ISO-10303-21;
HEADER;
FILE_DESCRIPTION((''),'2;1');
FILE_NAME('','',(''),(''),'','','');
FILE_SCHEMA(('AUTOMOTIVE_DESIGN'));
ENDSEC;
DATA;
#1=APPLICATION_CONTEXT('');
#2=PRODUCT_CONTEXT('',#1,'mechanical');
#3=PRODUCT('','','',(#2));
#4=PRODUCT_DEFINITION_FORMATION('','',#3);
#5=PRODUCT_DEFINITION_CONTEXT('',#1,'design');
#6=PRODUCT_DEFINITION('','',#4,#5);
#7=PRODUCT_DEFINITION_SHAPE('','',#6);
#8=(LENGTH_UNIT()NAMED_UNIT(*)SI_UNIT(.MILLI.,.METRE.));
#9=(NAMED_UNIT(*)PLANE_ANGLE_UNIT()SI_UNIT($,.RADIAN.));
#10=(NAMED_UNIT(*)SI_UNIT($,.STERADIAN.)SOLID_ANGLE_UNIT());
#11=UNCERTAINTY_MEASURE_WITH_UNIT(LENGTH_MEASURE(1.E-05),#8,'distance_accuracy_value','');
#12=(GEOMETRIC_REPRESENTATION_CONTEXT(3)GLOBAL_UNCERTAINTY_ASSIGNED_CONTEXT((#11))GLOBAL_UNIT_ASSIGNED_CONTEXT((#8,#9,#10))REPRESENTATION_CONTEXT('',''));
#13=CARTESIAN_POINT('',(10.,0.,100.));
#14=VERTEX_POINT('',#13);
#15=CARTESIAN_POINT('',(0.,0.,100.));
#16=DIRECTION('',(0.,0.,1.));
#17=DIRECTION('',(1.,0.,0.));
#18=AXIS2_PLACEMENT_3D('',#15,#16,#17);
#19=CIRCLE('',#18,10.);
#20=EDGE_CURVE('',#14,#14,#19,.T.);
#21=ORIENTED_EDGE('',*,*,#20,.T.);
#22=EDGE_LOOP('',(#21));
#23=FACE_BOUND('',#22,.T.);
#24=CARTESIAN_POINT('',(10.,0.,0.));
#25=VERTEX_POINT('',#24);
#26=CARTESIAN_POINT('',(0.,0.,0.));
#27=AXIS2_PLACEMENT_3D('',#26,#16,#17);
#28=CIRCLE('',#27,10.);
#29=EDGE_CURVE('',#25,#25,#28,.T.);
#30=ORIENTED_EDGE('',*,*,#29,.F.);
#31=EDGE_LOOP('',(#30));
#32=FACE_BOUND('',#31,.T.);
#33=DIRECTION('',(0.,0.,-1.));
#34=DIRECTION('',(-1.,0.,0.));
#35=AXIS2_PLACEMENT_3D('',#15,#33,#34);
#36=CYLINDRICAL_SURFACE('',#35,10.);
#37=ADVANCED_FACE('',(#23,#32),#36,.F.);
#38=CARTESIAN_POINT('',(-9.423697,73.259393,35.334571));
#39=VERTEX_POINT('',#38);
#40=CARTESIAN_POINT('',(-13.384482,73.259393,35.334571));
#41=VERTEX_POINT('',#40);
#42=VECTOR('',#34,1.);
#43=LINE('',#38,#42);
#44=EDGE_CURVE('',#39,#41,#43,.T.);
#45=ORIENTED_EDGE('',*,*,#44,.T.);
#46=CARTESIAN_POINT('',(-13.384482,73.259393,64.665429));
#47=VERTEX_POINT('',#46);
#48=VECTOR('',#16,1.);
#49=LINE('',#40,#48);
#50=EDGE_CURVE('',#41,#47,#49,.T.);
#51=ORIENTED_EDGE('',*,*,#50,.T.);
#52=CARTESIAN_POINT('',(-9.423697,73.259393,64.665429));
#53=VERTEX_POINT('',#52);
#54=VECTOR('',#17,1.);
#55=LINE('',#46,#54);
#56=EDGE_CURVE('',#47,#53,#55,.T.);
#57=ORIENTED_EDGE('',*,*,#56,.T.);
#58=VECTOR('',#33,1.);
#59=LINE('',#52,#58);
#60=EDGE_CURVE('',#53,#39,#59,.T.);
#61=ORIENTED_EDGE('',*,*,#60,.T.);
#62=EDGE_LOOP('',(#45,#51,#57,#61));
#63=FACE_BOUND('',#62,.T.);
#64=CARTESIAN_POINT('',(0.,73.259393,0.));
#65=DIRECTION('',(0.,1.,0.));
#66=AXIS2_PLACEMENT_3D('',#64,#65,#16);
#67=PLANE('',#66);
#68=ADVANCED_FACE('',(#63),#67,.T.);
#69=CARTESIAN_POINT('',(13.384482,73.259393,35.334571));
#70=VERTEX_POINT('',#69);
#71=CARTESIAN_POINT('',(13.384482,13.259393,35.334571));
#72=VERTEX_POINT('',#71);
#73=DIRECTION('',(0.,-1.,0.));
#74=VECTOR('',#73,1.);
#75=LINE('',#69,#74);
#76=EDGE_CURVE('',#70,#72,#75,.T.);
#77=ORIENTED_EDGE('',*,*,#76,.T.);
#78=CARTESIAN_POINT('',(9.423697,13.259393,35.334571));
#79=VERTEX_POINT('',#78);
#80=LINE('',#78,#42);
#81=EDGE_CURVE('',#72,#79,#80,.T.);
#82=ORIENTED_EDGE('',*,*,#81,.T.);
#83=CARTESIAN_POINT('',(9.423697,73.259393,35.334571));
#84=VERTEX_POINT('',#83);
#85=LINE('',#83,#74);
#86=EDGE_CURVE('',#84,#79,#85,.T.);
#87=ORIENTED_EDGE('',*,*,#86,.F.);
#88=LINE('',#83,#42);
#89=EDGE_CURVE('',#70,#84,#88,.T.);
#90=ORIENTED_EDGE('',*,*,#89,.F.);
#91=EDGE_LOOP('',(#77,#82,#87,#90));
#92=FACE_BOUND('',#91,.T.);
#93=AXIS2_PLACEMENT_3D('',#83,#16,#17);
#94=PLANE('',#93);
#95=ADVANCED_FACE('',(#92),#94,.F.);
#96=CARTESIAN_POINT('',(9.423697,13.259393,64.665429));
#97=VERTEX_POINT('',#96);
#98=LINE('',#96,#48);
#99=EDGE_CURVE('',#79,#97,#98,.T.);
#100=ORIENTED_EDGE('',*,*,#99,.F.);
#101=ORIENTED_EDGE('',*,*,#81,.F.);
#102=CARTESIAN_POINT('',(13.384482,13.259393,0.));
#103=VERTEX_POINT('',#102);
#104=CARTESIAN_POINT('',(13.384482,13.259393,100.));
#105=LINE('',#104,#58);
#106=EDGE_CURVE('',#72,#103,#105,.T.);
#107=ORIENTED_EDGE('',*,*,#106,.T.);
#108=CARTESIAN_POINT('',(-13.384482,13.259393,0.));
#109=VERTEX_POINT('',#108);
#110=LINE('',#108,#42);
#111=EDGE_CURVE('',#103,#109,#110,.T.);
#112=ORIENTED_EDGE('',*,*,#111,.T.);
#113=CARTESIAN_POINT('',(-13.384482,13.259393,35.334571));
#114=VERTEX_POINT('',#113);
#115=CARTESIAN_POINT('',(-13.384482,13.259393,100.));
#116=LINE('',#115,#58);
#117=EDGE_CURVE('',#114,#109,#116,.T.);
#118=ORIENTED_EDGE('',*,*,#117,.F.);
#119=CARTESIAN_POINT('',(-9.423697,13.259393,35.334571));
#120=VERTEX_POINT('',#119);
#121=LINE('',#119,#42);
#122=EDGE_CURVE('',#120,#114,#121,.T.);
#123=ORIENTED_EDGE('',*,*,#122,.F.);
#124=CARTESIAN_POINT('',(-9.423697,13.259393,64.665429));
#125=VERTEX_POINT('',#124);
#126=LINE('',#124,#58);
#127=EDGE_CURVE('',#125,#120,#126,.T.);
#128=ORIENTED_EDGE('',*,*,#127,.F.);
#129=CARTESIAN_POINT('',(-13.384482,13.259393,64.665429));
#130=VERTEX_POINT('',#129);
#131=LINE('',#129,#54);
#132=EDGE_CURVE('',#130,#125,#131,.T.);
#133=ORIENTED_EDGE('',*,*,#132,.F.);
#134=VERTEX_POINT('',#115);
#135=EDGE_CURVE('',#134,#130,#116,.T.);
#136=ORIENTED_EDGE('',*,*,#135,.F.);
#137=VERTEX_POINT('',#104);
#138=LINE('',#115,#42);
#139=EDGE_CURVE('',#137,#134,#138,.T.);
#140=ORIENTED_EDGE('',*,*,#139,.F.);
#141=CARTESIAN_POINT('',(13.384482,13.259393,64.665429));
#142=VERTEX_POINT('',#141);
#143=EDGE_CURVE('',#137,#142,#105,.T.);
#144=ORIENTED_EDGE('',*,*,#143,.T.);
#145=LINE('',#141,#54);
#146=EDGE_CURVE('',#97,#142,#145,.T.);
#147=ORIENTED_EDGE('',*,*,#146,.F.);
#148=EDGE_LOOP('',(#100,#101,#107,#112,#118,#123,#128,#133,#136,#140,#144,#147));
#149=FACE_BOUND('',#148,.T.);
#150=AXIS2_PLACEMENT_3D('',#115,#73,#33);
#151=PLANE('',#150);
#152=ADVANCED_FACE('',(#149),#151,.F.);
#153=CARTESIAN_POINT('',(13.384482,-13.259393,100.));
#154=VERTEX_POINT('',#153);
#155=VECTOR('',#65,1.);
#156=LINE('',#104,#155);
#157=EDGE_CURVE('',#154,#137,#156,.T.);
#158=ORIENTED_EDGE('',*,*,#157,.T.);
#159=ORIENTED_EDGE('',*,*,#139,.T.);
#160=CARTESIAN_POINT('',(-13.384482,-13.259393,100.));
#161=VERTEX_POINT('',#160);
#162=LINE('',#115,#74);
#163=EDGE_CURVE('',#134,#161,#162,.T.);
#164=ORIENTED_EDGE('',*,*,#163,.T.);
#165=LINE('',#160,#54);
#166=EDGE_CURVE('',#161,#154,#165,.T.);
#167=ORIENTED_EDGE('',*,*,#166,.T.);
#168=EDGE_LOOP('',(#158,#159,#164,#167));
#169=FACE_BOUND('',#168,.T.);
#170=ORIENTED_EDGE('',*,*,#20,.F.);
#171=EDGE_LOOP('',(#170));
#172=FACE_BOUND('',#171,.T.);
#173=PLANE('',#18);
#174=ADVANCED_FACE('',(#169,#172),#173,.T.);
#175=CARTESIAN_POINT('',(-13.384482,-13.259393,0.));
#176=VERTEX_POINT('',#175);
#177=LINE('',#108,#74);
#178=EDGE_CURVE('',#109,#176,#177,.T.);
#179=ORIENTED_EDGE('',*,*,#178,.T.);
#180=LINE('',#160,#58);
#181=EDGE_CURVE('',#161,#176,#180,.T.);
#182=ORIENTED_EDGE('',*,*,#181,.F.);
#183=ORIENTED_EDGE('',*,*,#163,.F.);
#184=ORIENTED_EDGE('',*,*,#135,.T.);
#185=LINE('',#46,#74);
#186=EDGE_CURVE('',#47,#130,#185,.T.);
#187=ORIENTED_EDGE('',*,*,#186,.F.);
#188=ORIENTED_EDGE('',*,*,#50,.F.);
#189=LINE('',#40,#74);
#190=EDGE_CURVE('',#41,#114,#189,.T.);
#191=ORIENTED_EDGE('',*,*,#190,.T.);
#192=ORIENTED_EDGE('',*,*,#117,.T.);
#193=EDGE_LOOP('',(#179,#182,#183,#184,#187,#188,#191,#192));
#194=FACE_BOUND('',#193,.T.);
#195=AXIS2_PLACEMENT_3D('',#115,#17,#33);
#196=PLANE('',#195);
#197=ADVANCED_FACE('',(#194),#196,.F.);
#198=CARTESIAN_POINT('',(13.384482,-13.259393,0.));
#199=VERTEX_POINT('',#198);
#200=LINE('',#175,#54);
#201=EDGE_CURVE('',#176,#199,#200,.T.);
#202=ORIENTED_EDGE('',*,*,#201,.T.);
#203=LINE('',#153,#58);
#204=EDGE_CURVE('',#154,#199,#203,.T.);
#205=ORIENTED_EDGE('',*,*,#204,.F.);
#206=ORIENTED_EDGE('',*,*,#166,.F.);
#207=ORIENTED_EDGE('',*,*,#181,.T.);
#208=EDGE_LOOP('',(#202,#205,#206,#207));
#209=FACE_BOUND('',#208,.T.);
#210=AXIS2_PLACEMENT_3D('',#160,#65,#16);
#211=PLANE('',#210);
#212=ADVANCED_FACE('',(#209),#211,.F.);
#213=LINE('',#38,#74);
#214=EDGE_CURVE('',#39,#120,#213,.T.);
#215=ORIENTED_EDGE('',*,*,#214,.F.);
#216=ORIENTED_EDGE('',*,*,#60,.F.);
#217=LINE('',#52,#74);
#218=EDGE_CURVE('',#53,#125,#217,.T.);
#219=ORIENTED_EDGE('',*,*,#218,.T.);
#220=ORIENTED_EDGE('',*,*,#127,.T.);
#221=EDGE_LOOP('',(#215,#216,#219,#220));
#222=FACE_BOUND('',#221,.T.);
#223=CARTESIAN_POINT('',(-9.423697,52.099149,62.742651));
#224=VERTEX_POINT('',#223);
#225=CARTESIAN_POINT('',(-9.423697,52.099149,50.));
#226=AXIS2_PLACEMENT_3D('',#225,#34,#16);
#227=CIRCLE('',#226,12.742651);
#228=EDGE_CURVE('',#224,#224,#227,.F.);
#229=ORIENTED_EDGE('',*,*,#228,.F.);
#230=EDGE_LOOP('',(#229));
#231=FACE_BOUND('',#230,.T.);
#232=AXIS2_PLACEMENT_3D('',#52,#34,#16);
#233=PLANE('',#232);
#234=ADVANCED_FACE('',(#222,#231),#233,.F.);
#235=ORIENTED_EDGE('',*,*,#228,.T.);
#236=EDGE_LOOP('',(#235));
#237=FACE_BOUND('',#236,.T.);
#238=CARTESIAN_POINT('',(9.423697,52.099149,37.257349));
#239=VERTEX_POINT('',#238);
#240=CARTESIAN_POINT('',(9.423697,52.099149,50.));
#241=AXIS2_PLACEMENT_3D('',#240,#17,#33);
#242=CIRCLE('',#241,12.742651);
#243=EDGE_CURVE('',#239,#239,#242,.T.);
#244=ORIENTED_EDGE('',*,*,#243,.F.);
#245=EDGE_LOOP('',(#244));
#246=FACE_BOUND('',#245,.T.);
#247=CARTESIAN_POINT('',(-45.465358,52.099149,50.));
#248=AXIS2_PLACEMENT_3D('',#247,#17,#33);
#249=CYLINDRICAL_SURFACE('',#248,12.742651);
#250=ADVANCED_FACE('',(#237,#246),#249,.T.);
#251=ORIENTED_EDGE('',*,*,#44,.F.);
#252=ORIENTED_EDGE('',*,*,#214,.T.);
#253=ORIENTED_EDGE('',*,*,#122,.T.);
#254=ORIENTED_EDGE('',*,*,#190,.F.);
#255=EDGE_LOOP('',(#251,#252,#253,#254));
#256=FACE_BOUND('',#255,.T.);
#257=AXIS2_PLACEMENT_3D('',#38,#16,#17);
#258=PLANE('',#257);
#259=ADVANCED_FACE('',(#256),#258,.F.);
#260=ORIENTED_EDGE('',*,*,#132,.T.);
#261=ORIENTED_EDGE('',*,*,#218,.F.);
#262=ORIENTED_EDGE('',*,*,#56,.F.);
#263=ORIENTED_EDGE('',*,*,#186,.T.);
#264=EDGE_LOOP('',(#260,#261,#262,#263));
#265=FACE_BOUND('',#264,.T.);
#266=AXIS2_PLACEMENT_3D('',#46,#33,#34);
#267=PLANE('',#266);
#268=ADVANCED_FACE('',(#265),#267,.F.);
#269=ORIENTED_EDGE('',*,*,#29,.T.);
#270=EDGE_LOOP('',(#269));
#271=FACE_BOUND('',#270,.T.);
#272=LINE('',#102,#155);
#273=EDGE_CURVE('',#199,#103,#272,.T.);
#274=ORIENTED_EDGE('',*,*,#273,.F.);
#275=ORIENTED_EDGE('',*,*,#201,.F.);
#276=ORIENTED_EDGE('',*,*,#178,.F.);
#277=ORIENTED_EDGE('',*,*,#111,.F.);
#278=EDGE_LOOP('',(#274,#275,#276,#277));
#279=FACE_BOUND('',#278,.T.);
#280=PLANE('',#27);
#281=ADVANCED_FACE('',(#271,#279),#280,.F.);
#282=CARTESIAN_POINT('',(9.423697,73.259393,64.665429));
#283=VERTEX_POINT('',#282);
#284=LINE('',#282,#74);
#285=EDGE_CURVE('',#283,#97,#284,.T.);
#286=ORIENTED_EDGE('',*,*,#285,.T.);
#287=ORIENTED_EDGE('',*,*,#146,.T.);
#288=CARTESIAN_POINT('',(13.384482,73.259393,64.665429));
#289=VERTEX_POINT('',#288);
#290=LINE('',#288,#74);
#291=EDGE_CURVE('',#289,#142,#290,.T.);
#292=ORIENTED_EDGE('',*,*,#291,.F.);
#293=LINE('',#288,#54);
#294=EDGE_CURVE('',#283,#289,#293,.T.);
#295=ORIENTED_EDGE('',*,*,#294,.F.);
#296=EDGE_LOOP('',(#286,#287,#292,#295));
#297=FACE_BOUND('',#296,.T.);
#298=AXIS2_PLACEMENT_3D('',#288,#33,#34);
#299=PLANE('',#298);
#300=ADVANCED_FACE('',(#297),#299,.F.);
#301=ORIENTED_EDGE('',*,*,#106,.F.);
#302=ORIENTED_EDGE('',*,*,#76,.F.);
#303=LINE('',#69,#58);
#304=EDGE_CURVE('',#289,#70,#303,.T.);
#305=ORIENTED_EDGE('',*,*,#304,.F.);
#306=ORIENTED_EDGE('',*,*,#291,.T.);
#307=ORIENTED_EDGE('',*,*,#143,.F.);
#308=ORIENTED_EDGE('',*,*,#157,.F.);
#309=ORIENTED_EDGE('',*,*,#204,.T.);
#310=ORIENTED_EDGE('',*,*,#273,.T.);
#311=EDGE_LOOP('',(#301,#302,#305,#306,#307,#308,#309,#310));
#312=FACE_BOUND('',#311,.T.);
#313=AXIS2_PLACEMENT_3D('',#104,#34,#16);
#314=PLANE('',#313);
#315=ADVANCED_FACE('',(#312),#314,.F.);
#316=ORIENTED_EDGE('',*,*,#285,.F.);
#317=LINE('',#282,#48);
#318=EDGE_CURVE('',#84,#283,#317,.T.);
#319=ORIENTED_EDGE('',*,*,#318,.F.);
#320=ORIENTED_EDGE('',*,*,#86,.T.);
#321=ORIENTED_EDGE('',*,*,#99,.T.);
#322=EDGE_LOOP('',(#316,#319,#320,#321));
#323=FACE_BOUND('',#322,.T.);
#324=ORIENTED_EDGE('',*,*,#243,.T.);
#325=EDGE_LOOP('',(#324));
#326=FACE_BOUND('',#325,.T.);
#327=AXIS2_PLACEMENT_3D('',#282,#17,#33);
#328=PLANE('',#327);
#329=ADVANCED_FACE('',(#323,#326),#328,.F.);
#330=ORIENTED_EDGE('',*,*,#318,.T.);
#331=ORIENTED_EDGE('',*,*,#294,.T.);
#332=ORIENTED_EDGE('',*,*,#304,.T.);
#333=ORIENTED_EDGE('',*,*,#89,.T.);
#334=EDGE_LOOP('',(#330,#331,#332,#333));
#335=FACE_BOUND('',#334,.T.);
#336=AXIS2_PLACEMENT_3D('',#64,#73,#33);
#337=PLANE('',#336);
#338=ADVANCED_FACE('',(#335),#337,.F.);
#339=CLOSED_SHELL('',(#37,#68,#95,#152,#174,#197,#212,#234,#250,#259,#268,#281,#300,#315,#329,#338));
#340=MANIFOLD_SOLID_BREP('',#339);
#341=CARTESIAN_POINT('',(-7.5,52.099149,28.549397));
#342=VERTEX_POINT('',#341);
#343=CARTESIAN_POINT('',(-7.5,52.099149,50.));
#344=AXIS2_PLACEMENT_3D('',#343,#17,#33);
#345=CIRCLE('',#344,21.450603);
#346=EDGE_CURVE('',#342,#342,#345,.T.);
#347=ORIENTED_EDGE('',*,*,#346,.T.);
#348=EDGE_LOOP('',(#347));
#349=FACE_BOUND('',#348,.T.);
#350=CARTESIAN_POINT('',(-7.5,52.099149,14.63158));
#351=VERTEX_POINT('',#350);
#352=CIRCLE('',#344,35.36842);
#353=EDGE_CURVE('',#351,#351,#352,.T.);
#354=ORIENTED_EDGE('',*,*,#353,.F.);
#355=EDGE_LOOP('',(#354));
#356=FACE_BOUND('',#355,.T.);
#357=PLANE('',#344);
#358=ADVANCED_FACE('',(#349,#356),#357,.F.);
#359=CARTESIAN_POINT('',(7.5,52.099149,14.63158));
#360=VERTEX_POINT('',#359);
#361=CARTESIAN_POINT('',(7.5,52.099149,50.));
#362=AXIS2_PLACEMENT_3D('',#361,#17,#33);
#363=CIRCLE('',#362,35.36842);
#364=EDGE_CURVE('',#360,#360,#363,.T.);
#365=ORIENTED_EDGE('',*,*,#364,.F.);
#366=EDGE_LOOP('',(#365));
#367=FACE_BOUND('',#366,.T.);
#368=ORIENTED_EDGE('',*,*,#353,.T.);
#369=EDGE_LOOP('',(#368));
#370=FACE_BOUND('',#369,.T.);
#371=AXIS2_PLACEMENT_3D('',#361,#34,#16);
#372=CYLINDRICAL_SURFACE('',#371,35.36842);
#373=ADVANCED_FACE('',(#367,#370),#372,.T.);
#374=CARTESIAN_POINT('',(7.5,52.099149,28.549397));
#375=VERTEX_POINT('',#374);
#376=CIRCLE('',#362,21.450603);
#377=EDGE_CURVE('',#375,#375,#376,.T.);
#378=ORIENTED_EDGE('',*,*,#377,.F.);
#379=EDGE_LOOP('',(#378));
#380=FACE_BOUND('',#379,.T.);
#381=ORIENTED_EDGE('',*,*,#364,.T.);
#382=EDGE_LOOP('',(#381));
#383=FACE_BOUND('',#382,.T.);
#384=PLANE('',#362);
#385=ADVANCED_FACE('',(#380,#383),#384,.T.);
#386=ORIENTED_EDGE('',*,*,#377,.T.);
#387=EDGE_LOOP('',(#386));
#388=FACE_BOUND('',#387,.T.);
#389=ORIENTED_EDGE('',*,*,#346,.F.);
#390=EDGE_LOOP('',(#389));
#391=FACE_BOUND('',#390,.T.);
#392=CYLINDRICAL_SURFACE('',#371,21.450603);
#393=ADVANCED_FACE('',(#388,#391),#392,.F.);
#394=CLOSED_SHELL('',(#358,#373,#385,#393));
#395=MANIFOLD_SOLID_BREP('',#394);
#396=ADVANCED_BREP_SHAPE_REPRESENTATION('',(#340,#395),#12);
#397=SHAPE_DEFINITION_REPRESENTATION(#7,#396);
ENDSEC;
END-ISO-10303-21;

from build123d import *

# Parameters (mm, degrees)
SKETCH1_W           = 26.76896329
SKETCH1_H           = 26.518786064
SKETCH1_R           = 10
BOSS_EXTRUDE1_DEPTH = 100
SKETCH2_W           = 3.96078439
SKETCH2_H           = 29.33085839
BOSS_EXTRUDE2_DEPTH = 60
SKETCH3_R           = 12.742651411
BOSS_EXTRUDE3_DEPTH = 22.8081789
SKETCH4_R           = 35.368420272
SKETCH4_R_2         = 21.450602769
BOSS_EXTRUDE4_DEPTH = 7.5


with BuildPart() as part:
    # Sketch1 → Boss-Extrude1 (new body)
    with BuildSketch(Plane.XY):
        Rectangle(SKETCH1_W, SKETCH1_H)
        Circle(SKETCH1_R, mode=Mode.SUBTRACT)
    extrude(amount=BOSS_EXTRUDE1_DEPTH)

    # Sketch2 → Boss-Extrude2 (add)
    with BuildSketch(Plane(origin=(0, 13.259393032, 0), x_dir=(1, 0, 0), z_dir=(0, 1, 0))):
        with Locations((-11.40408945, -50)):
            Rectangle(SKETCH2_W, SKETCH2_H)
        with Locations((11.40408945, -50)):
            Rectangle(SKETCH2_W, SKETCH2_H)
    extrude(amount=BOSS_EXTRUDE2_DEPTH)

    # Sketch3 → Boss-Extrude3 (add)
    with BuildSketch(Plane(origin=(13.384481645, 0, 0), x_dir=(0, 0, -1), z_dir=(1, 0, 0))):
        with Locations((-50, 52.099149036)):
            Circle(SKETCH3_R)
    extrude(amount=-BOSS_EXTRUDE3_DEPTH)


with BuildPart() as body_2:
    # Sketch4 → Boss-Extrude4 (new, symmetric)
    with BuildSketch(Plane(origin=(0, 0, 0), x_dir=(0, 0, -1), z_dir=(1, 0, 0))):
        with Locations((-50, 52.099149036)):
            Circle(SKETCH4_R)
        with Locations((-50, 52.099149036)):
            Circle(SKETCH4_R_2, mode=Mode.SUBTRACT)
    extrude(amount=BOSS_EXTRUDE4_DEPTH, both=True)


solid = Compound([part.part, body_2.part])
